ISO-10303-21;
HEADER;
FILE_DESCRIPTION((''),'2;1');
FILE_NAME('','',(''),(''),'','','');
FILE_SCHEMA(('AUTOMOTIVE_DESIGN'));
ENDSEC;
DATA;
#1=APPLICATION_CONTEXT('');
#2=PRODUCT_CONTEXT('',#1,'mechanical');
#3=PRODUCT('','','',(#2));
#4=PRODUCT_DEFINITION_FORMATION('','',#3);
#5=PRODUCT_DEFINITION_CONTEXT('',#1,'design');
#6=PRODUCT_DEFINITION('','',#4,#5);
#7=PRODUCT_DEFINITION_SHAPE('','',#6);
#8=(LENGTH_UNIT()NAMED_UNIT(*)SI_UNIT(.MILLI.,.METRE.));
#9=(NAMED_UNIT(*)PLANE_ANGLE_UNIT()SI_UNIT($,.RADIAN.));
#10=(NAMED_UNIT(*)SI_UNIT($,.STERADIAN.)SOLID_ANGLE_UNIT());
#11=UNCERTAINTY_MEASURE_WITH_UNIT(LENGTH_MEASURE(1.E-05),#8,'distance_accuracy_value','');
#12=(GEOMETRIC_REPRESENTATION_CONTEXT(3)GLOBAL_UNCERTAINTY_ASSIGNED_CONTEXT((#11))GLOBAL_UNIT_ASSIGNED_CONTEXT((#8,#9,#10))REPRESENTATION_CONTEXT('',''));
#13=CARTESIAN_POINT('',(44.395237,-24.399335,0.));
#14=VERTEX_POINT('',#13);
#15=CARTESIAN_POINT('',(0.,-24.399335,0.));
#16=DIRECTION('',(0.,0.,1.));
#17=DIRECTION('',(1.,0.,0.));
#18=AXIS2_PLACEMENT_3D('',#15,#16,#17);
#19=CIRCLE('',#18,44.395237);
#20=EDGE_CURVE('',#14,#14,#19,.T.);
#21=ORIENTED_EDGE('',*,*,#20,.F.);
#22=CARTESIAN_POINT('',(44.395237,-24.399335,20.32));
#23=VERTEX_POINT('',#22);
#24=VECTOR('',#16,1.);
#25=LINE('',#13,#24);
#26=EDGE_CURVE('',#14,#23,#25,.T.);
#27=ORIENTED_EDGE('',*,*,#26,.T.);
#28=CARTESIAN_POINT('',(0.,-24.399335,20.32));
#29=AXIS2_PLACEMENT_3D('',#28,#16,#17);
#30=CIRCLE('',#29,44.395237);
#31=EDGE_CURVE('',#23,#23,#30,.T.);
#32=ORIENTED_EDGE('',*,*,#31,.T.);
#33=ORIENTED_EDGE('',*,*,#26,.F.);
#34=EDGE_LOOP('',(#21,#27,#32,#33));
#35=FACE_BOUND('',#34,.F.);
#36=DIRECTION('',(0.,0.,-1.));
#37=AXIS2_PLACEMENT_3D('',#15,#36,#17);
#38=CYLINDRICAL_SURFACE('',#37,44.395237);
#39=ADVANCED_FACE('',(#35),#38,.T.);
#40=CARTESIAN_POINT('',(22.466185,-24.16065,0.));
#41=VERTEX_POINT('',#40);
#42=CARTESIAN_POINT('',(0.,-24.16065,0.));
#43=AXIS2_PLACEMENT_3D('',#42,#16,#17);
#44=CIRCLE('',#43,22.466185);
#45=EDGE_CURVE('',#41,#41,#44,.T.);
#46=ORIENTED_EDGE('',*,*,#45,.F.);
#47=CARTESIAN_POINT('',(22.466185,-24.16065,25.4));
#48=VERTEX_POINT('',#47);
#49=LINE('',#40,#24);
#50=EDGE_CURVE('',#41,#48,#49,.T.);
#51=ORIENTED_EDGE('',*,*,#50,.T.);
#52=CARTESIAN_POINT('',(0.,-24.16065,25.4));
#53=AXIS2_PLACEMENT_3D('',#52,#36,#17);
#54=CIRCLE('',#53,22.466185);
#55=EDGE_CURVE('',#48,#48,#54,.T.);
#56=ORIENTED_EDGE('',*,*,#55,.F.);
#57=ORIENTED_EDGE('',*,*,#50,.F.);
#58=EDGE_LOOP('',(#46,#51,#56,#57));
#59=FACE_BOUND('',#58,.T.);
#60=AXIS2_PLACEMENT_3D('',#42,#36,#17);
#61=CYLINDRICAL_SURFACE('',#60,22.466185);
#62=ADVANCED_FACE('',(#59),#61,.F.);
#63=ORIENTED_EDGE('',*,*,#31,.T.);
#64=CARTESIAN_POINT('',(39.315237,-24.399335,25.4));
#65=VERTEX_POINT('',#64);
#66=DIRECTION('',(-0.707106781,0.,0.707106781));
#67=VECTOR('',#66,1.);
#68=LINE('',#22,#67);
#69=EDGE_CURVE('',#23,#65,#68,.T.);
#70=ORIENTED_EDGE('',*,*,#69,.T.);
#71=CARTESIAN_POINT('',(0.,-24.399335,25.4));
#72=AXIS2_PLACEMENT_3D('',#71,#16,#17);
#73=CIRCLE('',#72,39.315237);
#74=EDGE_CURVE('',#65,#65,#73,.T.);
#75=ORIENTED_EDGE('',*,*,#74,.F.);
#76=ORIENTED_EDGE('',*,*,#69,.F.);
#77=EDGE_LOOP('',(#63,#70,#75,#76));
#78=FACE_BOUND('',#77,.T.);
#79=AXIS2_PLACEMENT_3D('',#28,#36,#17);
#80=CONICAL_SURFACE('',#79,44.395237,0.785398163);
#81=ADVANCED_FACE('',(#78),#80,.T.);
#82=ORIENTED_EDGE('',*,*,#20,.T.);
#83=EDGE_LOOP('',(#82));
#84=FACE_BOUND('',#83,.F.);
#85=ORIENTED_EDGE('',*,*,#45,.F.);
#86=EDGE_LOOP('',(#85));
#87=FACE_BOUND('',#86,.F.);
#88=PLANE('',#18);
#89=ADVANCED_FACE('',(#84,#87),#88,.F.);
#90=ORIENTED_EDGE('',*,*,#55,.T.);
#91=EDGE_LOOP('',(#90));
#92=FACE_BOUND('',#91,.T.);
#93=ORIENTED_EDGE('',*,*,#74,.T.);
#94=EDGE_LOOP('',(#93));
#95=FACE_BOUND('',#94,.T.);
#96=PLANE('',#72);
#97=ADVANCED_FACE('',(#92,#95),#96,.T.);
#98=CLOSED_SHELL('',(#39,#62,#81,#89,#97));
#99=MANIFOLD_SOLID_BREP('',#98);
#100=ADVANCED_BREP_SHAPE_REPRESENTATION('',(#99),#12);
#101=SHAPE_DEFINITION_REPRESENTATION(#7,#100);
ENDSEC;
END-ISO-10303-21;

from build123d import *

# Parameters (mm, degrees)
F0_R     = 44.395237
F1_DEPTH = 25.4
F2_SIZE  = 5.08
F3_R     = 22.466185
F4_DEPTH = 25.401


with BuildPart() as f1:
    # F0 (on Top) → F1 (new body)
    with BuildSketch(Plane.XY):
        with Locations((0, -24.399335)):
            Circle(F0_R)
    extrude(amount=F1_DEPTH)

    # F2
    f2_edges = [f1.edges().sort_by_distance(p)[0] for p in [
        (-44.395237, -24.399335, 25.4),
    ]]
    chamfer(f2_edges, length=F2_SIZE)

    # F3 (on Top) → F4 (cut, through all)
    with BuildSketch(Plane.XY):
        with Locations((0, -24.16065)):
            Circle(F3_R)
    extrude(amount=F4_DEPTH, mode=Mode.SUBTRACT)


solid = f1.part
